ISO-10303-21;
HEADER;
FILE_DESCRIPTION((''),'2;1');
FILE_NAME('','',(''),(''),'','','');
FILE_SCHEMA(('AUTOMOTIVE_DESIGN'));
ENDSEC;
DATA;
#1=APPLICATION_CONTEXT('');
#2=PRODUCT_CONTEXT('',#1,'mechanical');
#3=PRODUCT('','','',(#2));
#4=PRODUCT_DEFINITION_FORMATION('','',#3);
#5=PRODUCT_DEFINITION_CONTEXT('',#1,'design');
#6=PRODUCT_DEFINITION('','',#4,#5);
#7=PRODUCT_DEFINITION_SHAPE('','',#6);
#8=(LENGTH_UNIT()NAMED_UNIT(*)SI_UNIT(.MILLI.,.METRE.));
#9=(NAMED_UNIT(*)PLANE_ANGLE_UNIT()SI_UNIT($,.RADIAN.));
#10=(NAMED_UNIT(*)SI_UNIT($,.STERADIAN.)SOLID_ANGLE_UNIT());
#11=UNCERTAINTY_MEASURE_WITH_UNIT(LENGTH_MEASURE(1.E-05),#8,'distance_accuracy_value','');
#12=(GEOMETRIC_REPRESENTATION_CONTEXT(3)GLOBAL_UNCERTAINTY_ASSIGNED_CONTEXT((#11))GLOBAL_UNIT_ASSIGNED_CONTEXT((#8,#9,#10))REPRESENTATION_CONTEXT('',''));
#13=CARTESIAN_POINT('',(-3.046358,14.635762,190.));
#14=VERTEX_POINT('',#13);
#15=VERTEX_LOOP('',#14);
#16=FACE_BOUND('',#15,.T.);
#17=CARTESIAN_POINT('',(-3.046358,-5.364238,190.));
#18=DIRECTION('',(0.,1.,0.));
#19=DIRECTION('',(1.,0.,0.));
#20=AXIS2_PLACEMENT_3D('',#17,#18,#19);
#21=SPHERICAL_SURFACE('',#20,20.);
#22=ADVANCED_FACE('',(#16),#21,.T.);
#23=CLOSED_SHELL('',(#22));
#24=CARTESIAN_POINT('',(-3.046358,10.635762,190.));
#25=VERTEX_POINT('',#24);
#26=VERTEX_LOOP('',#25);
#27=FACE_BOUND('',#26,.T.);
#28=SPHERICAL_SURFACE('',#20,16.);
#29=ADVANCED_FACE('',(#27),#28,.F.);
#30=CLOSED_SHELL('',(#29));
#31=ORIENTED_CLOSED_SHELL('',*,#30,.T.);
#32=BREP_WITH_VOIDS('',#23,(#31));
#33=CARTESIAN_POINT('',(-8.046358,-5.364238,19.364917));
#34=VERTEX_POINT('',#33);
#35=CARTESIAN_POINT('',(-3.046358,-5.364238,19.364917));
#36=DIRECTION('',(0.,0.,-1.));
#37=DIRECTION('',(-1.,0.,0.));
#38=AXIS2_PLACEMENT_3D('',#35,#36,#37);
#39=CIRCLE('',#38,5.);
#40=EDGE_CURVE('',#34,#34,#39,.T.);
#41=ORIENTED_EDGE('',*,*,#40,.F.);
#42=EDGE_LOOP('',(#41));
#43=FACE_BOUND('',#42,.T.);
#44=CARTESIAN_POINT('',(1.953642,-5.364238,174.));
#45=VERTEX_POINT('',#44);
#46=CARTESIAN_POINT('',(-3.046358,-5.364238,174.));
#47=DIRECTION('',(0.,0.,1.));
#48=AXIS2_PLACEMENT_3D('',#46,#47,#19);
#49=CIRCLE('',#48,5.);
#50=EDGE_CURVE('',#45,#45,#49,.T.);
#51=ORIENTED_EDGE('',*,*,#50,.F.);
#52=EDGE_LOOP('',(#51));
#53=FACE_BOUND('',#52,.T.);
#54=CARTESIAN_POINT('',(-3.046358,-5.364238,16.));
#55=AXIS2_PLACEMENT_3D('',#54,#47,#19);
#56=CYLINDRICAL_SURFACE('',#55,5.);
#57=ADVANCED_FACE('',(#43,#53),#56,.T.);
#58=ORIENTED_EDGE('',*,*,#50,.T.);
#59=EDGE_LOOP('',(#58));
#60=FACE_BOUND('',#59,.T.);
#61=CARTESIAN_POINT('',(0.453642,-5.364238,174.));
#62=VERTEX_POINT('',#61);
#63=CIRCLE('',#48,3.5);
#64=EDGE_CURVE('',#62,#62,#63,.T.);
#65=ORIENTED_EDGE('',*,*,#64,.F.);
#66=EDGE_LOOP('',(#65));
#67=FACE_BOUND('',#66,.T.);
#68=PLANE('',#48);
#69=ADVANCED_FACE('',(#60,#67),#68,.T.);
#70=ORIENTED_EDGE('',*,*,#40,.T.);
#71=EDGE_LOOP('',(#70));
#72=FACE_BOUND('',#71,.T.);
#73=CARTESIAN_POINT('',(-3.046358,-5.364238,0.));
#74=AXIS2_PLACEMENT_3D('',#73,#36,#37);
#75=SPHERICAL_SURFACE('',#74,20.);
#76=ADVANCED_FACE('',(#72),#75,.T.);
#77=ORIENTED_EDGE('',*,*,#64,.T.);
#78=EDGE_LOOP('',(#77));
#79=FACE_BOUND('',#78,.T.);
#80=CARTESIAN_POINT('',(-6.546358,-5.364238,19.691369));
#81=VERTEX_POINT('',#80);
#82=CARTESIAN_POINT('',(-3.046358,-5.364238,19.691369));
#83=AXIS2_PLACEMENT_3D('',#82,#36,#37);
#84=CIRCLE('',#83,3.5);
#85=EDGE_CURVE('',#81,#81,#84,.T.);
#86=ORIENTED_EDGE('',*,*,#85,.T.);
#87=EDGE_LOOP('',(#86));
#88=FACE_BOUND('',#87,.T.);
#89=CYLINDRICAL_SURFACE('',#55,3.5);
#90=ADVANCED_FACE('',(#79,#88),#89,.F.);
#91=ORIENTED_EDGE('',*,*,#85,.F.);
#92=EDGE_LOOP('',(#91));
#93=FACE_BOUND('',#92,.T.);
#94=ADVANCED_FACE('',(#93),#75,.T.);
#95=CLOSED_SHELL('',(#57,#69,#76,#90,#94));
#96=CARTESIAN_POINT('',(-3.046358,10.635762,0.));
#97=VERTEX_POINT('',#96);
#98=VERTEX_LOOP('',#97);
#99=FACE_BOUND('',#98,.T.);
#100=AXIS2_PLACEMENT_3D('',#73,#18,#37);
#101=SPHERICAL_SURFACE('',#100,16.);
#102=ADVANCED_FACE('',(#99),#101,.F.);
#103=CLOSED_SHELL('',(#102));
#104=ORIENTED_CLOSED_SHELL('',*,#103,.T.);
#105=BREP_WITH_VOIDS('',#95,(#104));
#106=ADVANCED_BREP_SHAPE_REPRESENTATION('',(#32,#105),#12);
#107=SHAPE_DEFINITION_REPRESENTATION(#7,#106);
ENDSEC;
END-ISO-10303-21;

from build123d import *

# Parameters (mm, degrees)
SKETCH5_R                = 5
SKETCH5_R_2              = 3.5
BOSS_EXTRUDE2_DEPTH      = 4
BOSS_EXTRUDE3_DEPTH      = 154
BOSS_EXTRUDE3_DEPTH_BACK = 4
SKETCH5_2_R              = 5
SKETCH5_2_R_2            = 3.5


with BuildPart() as part:
    # Sketch4 → Revolve1 (revolve)
    with BuildSketch(Plane.XY):
        with BuildLine():
            Line((-3.046357616, 14.635761589), (-3.046357616, 10.635761589))
            ThreePointArc((-3.046357616, 10.635761589), (12.953642384, -5.364238411), (-3.046357616, -21.364238411))
            Line((-3.046357616, -21.364238411), (-3.046357616, -25.364238411))
            ThreePointArc((-3.046357616, -25.364238411), (16.953642384, -5.364238411), (-3.046357616, 14.635761589))
        make_face()
    revolve(axis=Axis((-3.046357616, 14.635761589, 0), (0, -1, 0)))

    # Sketch5 → Boss-Extrude2 (add)
    with BuildSketch(Plane.XY.offset(20)):
        with Locations((-3.046357616, -5.364238411)):
            Circle(SKETCH5_R)
        with Locations((-3.046357616, -5.364238411)):
            Circle(SKETCH5_R_2, mode=Mode.SUBTRACT)
    extrude(amount=-BOSS_EXTRUDE2_DEPTH)

    # Sketch5<2> → Boss-Extrude3 (add, two sides: drawn at the far end of the back side and taken through both)
    with BuildSketch(Plane.XY.offset(20).offset(-BOSS_EXTRUDE3_DEPTH_BACK)):
        with Locations((-3.046357616, -5.364238411)):
            Circle(SKETCH5_2_R)
        with Locations((-3.046357616, -5.364238411)):
            Circle(SKETCH5_2_R_2, mode=Mode.SUBTRACT)
    extrude(amount=BOSS_EXTRUDE3_DEPTH + BOSS_EXTRUDE3_DEPTH_BACK)


with BuildPart() as body_2:
    # Sketch7 → Revolve3 (revolve)
    with BuildSketch(Plane.XY.offset(190)):
        with BuildLine():
            Line((-3.046357616, 14.635761589), (-3.046357616, 10.635761589))
            ThreePointArc((-3.046357616, 10.635761589), (12.953642384, -5.364238411), (-3.046357616, -21.364238411))
            Line((-3.046357616, -21.364238411), (-3.046357616, -25.364238411))
            ThreePointArc((-3.046357616, -25.364238411), (16.953642384, -5.364238411), (-3.046357616, 14.635761589))
        make_face()
    revolve(axis=Axis((-3.046357616, 14.635761589, 190), (0, -1, 0)))


solid = Compound([part.part, body_2.part])
